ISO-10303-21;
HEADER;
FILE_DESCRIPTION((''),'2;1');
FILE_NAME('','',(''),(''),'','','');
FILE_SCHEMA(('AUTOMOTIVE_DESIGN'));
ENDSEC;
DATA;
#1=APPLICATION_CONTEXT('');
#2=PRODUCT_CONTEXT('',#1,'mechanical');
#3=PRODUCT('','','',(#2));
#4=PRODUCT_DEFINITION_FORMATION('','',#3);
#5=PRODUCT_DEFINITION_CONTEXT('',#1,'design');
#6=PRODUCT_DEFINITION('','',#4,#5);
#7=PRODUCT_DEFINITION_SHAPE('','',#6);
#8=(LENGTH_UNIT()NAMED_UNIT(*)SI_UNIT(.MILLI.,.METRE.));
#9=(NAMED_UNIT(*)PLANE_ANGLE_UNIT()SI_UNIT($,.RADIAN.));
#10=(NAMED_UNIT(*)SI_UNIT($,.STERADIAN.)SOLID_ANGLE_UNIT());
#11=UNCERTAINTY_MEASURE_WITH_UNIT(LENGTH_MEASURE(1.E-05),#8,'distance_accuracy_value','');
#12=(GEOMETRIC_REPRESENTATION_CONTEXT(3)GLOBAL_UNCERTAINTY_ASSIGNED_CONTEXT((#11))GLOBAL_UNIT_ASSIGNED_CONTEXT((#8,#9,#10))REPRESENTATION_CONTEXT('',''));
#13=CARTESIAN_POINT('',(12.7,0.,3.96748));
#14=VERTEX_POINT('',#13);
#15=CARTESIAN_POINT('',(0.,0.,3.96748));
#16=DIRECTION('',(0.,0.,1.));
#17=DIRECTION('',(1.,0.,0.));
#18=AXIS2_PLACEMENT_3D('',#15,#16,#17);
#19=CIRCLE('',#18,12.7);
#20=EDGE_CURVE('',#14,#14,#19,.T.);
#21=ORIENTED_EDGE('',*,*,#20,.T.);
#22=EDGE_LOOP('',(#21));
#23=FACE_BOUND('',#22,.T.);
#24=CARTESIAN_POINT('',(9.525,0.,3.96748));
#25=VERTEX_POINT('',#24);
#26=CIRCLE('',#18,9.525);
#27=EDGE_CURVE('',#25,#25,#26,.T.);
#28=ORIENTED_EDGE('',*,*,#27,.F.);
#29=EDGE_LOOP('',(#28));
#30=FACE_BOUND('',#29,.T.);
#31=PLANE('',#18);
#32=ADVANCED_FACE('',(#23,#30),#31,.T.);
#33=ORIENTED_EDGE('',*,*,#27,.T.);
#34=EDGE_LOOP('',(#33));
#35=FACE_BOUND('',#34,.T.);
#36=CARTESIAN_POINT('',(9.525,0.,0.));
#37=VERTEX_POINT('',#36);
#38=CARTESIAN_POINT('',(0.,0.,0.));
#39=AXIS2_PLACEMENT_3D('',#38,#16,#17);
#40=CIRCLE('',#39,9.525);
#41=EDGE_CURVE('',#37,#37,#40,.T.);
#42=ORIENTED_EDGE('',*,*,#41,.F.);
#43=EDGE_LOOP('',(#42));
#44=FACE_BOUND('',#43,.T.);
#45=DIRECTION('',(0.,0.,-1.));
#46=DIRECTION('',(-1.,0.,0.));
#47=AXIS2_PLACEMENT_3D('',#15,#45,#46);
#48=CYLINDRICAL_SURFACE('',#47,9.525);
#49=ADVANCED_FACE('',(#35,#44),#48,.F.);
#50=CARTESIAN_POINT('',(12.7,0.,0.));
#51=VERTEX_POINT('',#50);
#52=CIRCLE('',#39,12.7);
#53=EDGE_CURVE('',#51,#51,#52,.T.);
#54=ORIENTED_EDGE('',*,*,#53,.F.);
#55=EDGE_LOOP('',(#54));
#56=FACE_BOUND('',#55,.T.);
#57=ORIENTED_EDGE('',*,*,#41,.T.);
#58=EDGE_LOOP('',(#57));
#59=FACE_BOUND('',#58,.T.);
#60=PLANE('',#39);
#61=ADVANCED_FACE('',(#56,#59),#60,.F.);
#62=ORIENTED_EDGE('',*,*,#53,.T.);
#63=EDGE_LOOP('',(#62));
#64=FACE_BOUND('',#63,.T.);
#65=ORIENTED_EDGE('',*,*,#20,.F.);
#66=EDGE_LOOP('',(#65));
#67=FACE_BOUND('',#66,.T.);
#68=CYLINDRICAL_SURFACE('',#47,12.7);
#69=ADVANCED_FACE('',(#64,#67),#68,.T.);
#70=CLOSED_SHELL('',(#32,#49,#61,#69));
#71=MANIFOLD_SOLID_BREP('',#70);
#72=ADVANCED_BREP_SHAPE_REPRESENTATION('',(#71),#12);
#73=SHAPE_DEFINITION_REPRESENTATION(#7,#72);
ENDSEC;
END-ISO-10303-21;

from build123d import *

# Parameters (mm, degrees)
SKETCH1_R           = 12.7
SKETCH1_R_2         = 9.525
BOSS_EXTRUDE1_DEPTH = 3.96748


with BuildPart() as part:
    # Sketch1 → Boss-Extrude1 (new body)
    with BuildSketch(Plane.XY):
        Circle(SKETCH1_R)
        Circle(SKETCH1_R_2, mode=Mode.SUBTRACT)
    extrude(amount=BOSS_EXTRUDE1_DEPTH)


solid = part.part
